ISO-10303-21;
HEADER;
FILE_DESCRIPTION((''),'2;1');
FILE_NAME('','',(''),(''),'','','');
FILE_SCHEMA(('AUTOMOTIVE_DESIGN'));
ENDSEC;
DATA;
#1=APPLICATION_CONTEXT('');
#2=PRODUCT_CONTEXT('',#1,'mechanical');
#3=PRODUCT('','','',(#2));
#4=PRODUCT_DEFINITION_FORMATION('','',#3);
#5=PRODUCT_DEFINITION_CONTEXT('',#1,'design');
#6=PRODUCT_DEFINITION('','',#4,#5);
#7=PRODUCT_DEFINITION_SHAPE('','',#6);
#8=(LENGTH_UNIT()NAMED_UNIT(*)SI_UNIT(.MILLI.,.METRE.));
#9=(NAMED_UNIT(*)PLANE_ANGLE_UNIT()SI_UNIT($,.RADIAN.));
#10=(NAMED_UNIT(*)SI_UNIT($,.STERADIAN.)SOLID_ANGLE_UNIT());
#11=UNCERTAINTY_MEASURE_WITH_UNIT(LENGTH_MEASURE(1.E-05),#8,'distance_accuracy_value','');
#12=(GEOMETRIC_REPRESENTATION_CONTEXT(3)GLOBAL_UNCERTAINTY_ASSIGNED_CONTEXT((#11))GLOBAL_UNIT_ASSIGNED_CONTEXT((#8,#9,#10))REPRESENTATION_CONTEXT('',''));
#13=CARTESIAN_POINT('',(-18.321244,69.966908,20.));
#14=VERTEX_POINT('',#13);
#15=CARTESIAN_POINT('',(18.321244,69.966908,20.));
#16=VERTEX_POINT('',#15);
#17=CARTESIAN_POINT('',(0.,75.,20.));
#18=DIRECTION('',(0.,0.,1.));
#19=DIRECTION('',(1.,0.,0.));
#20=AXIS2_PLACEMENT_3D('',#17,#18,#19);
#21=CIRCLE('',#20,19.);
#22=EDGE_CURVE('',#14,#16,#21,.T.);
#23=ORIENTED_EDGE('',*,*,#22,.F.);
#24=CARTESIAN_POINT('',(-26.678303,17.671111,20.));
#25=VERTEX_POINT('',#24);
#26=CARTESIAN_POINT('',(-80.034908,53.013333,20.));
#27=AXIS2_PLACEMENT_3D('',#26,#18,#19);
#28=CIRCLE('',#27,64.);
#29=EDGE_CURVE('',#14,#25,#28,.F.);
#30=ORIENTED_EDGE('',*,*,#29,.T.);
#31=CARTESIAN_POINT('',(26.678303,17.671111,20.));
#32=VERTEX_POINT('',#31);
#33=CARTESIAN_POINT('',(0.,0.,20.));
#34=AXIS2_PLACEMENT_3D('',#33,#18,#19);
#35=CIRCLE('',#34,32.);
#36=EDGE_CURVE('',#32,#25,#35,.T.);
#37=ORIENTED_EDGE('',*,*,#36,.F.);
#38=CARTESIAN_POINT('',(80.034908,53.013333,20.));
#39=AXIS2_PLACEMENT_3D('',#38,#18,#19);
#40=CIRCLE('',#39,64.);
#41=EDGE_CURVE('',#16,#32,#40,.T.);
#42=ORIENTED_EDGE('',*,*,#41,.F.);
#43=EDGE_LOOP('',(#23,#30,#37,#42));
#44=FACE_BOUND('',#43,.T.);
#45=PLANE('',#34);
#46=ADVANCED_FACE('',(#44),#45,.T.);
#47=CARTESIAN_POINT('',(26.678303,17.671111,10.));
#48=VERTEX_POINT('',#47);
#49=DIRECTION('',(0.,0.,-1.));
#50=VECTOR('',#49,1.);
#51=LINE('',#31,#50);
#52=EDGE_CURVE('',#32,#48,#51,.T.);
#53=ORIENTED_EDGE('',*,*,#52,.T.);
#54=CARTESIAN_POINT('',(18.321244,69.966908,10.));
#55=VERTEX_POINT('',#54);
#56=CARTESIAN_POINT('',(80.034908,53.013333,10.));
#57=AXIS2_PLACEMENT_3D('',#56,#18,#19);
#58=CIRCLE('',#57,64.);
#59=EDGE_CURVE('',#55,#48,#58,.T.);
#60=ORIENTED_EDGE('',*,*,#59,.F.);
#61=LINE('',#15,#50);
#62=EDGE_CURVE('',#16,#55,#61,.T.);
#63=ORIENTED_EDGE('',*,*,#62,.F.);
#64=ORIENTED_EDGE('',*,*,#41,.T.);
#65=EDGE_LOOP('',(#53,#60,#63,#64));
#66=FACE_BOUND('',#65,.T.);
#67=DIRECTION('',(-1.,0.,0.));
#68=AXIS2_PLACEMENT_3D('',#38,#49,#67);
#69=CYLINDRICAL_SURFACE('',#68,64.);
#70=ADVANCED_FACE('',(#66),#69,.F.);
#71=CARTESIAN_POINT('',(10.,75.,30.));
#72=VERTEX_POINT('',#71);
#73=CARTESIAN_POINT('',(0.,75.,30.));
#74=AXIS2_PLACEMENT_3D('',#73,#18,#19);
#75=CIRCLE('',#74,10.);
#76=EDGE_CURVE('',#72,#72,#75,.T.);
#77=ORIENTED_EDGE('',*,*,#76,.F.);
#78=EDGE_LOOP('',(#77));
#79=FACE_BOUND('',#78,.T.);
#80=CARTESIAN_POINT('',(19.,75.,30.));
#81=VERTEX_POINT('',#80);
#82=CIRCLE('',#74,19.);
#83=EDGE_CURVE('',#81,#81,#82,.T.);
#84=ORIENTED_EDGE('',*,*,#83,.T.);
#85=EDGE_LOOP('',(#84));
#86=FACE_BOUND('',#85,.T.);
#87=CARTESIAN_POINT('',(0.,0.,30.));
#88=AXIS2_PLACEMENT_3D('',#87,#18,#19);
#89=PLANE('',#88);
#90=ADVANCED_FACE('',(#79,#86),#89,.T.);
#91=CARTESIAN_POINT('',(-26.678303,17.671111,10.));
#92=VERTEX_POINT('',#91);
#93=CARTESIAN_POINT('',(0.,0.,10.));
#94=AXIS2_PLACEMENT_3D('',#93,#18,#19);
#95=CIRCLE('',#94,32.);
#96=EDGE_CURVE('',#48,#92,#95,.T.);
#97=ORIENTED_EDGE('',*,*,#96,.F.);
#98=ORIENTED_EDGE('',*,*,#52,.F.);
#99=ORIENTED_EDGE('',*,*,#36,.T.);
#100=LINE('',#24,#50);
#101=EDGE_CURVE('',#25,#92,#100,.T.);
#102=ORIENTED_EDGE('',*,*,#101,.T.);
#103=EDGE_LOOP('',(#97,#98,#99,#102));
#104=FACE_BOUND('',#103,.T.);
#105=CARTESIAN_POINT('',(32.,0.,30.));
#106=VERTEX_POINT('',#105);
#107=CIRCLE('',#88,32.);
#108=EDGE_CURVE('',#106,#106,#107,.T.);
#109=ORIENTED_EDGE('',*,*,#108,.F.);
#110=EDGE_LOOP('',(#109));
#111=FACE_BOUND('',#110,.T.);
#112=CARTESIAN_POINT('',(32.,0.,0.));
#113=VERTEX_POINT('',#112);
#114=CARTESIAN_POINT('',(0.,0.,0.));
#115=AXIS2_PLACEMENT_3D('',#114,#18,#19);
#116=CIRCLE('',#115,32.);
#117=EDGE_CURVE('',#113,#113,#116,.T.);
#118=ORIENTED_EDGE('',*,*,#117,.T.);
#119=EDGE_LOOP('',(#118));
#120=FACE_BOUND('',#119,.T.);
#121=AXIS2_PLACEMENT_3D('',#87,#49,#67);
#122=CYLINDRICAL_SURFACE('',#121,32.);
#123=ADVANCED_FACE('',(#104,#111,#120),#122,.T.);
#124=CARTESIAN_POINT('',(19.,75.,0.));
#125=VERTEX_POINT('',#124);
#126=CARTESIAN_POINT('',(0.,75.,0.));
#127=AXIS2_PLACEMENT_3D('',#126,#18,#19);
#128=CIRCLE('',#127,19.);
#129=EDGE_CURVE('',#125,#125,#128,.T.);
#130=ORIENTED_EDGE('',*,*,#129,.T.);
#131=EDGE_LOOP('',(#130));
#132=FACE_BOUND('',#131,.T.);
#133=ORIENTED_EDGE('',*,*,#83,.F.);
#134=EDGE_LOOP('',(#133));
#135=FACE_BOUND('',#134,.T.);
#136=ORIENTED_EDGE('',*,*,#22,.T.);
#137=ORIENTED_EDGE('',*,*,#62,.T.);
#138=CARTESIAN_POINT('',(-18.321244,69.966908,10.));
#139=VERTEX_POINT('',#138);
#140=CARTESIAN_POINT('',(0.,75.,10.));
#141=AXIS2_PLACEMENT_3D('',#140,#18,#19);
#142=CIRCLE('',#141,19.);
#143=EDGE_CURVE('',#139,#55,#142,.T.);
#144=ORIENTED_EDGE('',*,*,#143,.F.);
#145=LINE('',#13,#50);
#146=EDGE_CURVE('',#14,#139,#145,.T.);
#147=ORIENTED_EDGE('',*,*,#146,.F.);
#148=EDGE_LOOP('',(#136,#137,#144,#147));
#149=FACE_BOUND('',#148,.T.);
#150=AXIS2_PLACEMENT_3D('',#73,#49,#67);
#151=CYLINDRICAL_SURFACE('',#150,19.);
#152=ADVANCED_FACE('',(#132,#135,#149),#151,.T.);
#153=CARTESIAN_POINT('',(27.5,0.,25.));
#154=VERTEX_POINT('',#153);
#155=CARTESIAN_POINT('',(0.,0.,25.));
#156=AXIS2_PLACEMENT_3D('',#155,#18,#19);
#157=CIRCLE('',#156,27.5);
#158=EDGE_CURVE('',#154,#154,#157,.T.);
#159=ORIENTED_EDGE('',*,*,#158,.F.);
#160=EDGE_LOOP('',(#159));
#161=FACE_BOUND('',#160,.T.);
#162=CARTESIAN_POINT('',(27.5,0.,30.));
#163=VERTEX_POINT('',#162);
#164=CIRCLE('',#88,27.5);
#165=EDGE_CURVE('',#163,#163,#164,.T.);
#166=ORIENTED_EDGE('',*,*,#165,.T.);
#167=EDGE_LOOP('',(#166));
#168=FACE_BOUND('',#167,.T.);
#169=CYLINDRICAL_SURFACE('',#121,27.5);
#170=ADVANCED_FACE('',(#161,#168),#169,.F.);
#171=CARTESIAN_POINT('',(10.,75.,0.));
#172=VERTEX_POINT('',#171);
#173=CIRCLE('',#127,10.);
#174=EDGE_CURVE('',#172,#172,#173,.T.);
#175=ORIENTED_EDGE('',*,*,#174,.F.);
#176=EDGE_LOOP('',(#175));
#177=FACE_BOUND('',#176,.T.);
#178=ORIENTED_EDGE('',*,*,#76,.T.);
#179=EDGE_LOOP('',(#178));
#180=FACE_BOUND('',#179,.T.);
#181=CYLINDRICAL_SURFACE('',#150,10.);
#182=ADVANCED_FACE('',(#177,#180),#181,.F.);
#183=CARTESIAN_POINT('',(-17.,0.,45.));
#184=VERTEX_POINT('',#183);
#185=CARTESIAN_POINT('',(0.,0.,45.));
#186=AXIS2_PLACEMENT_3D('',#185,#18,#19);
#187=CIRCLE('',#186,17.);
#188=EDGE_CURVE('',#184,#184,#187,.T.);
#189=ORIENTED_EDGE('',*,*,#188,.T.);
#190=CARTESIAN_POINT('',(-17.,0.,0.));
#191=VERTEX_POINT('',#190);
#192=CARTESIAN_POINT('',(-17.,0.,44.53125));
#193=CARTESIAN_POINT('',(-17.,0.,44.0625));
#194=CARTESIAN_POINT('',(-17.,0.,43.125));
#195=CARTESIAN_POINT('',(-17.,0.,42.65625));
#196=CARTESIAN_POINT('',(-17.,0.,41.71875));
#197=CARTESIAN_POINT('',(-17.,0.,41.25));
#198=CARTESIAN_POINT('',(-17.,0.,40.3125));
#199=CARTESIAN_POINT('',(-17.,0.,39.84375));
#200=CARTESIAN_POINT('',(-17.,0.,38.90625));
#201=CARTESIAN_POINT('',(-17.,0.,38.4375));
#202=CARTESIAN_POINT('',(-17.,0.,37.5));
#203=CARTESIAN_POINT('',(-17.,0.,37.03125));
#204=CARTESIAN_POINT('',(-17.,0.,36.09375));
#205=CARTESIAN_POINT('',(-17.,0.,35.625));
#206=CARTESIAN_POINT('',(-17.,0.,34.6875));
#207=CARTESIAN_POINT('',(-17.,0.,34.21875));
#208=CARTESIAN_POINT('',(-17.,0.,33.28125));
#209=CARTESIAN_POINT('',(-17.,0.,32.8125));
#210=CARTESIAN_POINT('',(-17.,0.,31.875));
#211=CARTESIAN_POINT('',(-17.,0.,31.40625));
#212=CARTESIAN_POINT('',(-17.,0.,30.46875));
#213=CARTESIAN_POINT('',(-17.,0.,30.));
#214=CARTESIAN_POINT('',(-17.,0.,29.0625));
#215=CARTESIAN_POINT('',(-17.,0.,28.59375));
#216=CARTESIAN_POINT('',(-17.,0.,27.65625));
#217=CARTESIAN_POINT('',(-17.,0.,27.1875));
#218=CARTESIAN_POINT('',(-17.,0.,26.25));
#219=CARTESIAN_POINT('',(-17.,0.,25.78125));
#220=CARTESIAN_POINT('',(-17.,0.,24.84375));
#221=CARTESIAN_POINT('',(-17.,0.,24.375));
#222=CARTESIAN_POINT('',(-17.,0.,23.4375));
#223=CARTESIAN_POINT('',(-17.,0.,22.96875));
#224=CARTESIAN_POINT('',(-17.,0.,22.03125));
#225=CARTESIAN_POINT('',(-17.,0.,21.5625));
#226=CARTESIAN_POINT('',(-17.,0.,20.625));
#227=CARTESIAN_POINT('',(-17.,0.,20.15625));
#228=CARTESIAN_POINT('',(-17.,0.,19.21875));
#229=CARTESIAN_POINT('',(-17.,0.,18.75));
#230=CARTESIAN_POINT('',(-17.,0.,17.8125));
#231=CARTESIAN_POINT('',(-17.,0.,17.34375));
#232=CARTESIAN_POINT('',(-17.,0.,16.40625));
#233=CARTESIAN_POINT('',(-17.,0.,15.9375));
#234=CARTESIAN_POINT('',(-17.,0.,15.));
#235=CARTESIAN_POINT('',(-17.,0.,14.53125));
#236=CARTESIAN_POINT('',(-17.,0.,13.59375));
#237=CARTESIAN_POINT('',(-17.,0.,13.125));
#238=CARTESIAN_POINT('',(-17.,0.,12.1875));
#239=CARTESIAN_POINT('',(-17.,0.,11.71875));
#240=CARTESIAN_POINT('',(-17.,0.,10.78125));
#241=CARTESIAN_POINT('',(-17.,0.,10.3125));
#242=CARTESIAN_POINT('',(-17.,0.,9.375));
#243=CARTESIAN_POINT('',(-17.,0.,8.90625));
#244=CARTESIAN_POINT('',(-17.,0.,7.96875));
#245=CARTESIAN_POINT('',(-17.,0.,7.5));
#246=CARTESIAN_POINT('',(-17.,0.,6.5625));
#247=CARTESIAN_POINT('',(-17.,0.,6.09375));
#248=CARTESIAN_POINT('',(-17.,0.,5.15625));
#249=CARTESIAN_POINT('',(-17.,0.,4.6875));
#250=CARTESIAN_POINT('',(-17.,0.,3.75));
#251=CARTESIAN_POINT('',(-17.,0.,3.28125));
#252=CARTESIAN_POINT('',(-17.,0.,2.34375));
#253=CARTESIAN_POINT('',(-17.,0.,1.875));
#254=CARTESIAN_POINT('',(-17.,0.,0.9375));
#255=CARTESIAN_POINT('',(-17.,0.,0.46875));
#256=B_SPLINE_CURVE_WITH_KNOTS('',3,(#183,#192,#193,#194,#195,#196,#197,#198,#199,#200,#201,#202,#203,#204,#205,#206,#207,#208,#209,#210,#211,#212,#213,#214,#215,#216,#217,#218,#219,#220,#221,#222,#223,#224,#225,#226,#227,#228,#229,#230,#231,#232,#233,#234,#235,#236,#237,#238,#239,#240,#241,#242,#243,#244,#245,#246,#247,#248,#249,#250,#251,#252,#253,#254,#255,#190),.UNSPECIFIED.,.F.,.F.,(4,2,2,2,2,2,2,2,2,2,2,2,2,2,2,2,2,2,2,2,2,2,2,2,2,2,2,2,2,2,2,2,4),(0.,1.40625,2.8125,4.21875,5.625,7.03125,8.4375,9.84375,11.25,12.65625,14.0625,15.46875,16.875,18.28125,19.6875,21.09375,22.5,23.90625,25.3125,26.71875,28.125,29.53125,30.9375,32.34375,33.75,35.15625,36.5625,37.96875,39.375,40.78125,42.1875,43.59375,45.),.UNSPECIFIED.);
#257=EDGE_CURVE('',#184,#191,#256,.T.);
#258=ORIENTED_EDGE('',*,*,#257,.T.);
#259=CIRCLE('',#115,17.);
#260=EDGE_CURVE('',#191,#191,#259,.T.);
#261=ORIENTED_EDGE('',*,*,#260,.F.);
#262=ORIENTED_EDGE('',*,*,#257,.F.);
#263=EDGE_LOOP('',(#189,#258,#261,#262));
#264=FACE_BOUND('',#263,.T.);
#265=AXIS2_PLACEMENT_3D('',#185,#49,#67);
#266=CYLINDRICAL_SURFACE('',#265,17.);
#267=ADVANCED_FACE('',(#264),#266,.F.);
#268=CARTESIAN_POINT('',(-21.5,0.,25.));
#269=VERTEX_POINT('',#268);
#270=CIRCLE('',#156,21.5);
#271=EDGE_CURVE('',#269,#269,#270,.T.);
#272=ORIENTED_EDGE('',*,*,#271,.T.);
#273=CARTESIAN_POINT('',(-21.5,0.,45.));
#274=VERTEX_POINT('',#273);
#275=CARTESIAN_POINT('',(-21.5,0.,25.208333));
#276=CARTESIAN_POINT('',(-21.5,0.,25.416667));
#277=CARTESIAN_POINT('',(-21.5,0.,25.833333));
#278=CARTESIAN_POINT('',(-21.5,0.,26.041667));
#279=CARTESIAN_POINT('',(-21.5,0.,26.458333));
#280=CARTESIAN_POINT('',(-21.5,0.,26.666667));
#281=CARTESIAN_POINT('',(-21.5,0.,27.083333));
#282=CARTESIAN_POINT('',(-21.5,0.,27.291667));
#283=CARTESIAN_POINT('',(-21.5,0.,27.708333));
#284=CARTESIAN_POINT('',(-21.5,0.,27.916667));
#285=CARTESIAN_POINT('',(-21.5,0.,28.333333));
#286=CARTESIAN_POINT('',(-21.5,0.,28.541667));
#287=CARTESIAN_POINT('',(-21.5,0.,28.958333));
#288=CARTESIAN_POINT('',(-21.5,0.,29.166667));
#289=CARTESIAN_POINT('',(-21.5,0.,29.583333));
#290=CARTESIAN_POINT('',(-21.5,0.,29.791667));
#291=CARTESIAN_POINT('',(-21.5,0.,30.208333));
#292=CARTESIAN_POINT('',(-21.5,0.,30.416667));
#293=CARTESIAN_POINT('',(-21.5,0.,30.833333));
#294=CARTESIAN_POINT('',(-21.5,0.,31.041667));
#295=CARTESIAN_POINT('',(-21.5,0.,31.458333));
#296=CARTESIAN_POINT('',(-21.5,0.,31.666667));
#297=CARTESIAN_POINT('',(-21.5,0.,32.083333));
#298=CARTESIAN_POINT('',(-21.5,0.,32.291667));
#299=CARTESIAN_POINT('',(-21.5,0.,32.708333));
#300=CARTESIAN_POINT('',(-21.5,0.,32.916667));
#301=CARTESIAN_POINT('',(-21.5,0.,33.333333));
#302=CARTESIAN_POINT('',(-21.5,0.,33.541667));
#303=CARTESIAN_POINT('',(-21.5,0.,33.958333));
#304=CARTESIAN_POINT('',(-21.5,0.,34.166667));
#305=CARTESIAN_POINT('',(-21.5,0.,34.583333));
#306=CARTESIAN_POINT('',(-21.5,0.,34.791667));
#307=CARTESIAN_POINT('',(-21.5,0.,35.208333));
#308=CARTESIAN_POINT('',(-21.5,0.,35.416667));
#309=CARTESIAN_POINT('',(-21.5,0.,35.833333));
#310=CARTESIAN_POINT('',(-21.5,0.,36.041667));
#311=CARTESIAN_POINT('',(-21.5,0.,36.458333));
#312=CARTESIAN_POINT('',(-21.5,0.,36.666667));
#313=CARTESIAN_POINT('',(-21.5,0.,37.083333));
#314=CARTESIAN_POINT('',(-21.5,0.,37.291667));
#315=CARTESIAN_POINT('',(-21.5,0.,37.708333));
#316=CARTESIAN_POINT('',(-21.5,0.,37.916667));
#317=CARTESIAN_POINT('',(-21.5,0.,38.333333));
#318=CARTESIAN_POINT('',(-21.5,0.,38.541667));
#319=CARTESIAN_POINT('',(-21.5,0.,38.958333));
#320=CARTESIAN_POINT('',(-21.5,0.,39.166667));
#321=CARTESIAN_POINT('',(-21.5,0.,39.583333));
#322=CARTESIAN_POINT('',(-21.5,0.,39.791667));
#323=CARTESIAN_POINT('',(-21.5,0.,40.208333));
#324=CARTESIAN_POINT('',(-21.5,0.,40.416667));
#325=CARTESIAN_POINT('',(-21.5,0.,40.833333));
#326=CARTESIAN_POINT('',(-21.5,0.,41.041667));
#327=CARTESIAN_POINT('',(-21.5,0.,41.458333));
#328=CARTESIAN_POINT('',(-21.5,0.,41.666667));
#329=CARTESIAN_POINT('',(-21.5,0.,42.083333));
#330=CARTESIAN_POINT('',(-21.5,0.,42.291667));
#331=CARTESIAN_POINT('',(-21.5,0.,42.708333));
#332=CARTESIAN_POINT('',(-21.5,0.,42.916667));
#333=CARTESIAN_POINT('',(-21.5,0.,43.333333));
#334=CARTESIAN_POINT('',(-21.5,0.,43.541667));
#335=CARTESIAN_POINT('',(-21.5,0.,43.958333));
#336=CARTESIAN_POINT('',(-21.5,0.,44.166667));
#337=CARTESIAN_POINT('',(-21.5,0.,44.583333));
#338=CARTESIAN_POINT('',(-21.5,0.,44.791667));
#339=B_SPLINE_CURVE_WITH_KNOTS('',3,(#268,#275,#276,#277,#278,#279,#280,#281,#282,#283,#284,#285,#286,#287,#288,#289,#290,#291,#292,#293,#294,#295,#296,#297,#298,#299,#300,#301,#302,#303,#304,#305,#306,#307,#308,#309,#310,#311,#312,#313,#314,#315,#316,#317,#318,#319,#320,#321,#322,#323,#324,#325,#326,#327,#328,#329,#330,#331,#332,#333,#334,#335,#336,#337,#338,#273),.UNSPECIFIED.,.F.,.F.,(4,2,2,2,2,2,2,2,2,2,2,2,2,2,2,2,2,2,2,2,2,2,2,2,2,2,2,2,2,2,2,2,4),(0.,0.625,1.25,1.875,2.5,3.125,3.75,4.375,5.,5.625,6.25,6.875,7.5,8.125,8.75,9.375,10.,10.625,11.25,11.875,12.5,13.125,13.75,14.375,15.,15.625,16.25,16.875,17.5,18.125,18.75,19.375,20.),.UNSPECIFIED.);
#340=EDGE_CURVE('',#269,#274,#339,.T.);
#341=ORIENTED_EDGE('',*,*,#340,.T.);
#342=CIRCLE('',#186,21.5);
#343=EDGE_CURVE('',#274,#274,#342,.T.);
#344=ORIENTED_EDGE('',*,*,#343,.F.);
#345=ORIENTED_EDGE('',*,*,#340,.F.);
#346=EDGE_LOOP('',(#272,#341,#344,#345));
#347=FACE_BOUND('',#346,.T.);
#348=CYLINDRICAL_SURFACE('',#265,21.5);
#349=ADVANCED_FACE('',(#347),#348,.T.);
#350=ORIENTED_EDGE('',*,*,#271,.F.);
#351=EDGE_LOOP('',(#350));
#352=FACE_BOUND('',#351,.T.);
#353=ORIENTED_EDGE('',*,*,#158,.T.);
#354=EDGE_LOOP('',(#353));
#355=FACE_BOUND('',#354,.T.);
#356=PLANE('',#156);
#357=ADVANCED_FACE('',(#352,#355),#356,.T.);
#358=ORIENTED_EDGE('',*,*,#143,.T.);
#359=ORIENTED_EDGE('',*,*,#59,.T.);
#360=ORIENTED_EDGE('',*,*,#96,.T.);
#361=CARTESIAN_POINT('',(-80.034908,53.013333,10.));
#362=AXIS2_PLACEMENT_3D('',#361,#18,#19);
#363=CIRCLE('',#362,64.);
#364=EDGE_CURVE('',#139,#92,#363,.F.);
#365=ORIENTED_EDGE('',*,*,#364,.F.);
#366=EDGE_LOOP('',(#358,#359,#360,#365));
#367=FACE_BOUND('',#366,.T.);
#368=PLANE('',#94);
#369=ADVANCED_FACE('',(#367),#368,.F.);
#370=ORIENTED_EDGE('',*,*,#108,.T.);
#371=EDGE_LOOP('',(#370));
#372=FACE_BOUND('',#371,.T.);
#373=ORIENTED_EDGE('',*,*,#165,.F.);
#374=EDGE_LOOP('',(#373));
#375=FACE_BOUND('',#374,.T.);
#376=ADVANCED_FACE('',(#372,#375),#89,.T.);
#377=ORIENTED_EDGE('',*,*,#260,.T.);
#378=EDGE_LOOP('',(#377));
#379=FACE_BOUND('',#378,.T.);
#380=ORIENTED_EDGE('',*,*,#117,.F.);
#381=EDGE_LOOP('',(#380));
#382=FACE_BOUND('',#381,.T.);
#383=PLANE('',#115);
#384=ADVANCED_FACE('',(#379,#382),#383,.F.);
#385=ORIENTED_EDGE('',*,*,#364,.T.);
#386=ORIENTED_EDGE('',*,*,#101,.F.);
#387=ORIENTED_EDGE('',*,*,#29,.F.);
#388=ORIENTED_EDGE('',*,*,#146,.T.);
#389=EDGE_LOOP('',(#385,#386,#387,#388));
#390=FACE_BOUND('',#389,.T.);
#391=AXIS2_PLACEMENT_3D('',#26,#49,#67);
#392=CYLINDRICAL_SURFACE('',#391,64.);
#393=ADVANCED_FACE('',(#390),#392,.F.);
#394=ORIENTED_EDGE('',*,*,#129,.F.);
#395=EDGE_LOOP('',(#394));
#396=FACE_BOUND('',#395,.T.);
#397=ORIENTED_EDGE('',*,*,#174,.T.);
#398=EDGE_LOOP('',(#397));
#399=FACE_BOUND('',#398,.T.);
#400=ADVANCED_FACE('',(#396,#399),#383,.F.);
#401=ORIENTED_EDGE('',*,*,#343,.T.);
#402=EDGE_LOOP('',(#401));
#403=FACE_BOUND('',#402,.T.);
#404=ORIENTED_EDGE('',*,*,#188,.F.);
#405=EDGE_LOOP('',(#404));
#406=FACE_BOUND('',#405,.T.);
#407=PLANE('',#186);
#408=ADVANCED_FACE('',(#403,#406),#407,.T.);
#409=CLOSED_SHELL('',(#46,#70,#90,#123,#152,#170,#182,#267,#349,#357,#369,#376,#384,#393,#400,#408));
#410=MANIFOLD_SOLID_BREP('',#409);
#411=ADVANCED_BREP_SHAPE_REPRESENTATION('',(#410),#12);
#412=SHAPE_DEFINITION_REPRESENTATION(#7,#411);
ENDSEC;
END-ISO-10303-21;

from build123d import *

# Parameters (mm, degrees)
SKETCH1_R             = 32
SKETCH1_R_2           = 27.5
BOSS_EXTRUDE1_DEPTH   = 30
SKETCH1_R_3           = 19
SKETCH1_R_4           = 10
BOSS_EXTRUDE1_2_DEPTH = 30
SKETCH1_3_R           = 27.5
SKETCH1_3_R_2         = 21.5
BOSS_EXTRUDE2_DEPTH   = 25
SKETCH1_4_R           = 21.5
SKETCH1_4_R_2         = 17
BOSS_EXTRUDE3_DEPTH   = 45
BOSS_EXTRUDE4_START   = 10
BOSS_EXTRUDE4_DEPTH   = 10


with BuildPart() as part:
    # Sketch1 → Boss-Extrude1 (new body)
    with BuildSketch(Plane.XY):
        Circle(SKETCH1_R)
        Circle(SKETCH1_R_2, mode=Mode.SUBTRACT)
    extrude(amount=BOSS_EXTRUDE1_DEPTH)

    # Sketch1_3 → Boss-Extrude2 (add)
    with BuildSketch(Plane.XY):
        Circle(SKETCH1_3_R)
        Circle(SKETCH1_3_R_2, mode=Mode.SUBTRACT)
    extrude(amount=BOSS_EXTRUDE2_DEPTH)

    # Sketch1_4 → Boss-Extrude3 (add)
    with BuildSketch(Plane.XY):
        with Locations(Location((0, 0, 0), (0, 0, 180))):
            Circle(SKETCH1_4_R)
        with Locations(Location((0, 0, 0), (0, 0, 180))):
            Circle(SKETCH1_4_R_2, mode=Mode.SUBTRACT)
    extrude(amount=BOSS_EXTRUDE3_DEPTH)



with BuildPart() as body_2:
    # Sketch1 → Boss-Extrude1 2 (new body)
    with BuildSketch(Plane.XY):
        with Locations((0, 75)):
            Circle(SKETCH1_R_3)
        with Locations((0, 75)):
            Circle(SKETCH1_R_4, mode=Mode.SUBTRACT)
    extrude(amount=BOSS_EXTRUDE1_2_DEPTH)


with BuildPart() as part_1:
    add(part.part)

    add(body_2.part)  # Boss-Extrude4 merges body 2
    # Sketch1_5 → Boss-Extrude4 (add)
    with BuildSketch(Plane.XY.offset(BOSS_EXTRUDE4_START)):
        with BuildLine():
            ThreePointArc((18.321243986, 69.966907631), (11.518924537, 59.889924636), (0, 56))
            Line((0, 56), (0, 32))
            ThreePointArc((0, 32), (15.141407538, 28.191093944), (26.678302647, 17.671111111))
            ThreePointArc((26.678302647, 17.671111111), (16.836772686, 42.914041255), (18.321243986, 69.966907631))
        make_face()
        with BuildLine():
            Line((0, 32), (0, 56))
            ThreePointArc((0, 56), (-11.518924537, 59.889924636), (-18.321243986, 69.966907631))
            ThreePointArc((-18.321243986, 69.966907631), (-16.836772686, 42.914041255), (-26.678302647, 17.671111111))
            ThreePointArc((-26.678302647, 17.671111111), (-15.141407538, 28.191093944), (0, 32))
        make_face()
    extrude(amount=BOSS_EXTRUDE4_DEPTH)


solid = part_1.part
